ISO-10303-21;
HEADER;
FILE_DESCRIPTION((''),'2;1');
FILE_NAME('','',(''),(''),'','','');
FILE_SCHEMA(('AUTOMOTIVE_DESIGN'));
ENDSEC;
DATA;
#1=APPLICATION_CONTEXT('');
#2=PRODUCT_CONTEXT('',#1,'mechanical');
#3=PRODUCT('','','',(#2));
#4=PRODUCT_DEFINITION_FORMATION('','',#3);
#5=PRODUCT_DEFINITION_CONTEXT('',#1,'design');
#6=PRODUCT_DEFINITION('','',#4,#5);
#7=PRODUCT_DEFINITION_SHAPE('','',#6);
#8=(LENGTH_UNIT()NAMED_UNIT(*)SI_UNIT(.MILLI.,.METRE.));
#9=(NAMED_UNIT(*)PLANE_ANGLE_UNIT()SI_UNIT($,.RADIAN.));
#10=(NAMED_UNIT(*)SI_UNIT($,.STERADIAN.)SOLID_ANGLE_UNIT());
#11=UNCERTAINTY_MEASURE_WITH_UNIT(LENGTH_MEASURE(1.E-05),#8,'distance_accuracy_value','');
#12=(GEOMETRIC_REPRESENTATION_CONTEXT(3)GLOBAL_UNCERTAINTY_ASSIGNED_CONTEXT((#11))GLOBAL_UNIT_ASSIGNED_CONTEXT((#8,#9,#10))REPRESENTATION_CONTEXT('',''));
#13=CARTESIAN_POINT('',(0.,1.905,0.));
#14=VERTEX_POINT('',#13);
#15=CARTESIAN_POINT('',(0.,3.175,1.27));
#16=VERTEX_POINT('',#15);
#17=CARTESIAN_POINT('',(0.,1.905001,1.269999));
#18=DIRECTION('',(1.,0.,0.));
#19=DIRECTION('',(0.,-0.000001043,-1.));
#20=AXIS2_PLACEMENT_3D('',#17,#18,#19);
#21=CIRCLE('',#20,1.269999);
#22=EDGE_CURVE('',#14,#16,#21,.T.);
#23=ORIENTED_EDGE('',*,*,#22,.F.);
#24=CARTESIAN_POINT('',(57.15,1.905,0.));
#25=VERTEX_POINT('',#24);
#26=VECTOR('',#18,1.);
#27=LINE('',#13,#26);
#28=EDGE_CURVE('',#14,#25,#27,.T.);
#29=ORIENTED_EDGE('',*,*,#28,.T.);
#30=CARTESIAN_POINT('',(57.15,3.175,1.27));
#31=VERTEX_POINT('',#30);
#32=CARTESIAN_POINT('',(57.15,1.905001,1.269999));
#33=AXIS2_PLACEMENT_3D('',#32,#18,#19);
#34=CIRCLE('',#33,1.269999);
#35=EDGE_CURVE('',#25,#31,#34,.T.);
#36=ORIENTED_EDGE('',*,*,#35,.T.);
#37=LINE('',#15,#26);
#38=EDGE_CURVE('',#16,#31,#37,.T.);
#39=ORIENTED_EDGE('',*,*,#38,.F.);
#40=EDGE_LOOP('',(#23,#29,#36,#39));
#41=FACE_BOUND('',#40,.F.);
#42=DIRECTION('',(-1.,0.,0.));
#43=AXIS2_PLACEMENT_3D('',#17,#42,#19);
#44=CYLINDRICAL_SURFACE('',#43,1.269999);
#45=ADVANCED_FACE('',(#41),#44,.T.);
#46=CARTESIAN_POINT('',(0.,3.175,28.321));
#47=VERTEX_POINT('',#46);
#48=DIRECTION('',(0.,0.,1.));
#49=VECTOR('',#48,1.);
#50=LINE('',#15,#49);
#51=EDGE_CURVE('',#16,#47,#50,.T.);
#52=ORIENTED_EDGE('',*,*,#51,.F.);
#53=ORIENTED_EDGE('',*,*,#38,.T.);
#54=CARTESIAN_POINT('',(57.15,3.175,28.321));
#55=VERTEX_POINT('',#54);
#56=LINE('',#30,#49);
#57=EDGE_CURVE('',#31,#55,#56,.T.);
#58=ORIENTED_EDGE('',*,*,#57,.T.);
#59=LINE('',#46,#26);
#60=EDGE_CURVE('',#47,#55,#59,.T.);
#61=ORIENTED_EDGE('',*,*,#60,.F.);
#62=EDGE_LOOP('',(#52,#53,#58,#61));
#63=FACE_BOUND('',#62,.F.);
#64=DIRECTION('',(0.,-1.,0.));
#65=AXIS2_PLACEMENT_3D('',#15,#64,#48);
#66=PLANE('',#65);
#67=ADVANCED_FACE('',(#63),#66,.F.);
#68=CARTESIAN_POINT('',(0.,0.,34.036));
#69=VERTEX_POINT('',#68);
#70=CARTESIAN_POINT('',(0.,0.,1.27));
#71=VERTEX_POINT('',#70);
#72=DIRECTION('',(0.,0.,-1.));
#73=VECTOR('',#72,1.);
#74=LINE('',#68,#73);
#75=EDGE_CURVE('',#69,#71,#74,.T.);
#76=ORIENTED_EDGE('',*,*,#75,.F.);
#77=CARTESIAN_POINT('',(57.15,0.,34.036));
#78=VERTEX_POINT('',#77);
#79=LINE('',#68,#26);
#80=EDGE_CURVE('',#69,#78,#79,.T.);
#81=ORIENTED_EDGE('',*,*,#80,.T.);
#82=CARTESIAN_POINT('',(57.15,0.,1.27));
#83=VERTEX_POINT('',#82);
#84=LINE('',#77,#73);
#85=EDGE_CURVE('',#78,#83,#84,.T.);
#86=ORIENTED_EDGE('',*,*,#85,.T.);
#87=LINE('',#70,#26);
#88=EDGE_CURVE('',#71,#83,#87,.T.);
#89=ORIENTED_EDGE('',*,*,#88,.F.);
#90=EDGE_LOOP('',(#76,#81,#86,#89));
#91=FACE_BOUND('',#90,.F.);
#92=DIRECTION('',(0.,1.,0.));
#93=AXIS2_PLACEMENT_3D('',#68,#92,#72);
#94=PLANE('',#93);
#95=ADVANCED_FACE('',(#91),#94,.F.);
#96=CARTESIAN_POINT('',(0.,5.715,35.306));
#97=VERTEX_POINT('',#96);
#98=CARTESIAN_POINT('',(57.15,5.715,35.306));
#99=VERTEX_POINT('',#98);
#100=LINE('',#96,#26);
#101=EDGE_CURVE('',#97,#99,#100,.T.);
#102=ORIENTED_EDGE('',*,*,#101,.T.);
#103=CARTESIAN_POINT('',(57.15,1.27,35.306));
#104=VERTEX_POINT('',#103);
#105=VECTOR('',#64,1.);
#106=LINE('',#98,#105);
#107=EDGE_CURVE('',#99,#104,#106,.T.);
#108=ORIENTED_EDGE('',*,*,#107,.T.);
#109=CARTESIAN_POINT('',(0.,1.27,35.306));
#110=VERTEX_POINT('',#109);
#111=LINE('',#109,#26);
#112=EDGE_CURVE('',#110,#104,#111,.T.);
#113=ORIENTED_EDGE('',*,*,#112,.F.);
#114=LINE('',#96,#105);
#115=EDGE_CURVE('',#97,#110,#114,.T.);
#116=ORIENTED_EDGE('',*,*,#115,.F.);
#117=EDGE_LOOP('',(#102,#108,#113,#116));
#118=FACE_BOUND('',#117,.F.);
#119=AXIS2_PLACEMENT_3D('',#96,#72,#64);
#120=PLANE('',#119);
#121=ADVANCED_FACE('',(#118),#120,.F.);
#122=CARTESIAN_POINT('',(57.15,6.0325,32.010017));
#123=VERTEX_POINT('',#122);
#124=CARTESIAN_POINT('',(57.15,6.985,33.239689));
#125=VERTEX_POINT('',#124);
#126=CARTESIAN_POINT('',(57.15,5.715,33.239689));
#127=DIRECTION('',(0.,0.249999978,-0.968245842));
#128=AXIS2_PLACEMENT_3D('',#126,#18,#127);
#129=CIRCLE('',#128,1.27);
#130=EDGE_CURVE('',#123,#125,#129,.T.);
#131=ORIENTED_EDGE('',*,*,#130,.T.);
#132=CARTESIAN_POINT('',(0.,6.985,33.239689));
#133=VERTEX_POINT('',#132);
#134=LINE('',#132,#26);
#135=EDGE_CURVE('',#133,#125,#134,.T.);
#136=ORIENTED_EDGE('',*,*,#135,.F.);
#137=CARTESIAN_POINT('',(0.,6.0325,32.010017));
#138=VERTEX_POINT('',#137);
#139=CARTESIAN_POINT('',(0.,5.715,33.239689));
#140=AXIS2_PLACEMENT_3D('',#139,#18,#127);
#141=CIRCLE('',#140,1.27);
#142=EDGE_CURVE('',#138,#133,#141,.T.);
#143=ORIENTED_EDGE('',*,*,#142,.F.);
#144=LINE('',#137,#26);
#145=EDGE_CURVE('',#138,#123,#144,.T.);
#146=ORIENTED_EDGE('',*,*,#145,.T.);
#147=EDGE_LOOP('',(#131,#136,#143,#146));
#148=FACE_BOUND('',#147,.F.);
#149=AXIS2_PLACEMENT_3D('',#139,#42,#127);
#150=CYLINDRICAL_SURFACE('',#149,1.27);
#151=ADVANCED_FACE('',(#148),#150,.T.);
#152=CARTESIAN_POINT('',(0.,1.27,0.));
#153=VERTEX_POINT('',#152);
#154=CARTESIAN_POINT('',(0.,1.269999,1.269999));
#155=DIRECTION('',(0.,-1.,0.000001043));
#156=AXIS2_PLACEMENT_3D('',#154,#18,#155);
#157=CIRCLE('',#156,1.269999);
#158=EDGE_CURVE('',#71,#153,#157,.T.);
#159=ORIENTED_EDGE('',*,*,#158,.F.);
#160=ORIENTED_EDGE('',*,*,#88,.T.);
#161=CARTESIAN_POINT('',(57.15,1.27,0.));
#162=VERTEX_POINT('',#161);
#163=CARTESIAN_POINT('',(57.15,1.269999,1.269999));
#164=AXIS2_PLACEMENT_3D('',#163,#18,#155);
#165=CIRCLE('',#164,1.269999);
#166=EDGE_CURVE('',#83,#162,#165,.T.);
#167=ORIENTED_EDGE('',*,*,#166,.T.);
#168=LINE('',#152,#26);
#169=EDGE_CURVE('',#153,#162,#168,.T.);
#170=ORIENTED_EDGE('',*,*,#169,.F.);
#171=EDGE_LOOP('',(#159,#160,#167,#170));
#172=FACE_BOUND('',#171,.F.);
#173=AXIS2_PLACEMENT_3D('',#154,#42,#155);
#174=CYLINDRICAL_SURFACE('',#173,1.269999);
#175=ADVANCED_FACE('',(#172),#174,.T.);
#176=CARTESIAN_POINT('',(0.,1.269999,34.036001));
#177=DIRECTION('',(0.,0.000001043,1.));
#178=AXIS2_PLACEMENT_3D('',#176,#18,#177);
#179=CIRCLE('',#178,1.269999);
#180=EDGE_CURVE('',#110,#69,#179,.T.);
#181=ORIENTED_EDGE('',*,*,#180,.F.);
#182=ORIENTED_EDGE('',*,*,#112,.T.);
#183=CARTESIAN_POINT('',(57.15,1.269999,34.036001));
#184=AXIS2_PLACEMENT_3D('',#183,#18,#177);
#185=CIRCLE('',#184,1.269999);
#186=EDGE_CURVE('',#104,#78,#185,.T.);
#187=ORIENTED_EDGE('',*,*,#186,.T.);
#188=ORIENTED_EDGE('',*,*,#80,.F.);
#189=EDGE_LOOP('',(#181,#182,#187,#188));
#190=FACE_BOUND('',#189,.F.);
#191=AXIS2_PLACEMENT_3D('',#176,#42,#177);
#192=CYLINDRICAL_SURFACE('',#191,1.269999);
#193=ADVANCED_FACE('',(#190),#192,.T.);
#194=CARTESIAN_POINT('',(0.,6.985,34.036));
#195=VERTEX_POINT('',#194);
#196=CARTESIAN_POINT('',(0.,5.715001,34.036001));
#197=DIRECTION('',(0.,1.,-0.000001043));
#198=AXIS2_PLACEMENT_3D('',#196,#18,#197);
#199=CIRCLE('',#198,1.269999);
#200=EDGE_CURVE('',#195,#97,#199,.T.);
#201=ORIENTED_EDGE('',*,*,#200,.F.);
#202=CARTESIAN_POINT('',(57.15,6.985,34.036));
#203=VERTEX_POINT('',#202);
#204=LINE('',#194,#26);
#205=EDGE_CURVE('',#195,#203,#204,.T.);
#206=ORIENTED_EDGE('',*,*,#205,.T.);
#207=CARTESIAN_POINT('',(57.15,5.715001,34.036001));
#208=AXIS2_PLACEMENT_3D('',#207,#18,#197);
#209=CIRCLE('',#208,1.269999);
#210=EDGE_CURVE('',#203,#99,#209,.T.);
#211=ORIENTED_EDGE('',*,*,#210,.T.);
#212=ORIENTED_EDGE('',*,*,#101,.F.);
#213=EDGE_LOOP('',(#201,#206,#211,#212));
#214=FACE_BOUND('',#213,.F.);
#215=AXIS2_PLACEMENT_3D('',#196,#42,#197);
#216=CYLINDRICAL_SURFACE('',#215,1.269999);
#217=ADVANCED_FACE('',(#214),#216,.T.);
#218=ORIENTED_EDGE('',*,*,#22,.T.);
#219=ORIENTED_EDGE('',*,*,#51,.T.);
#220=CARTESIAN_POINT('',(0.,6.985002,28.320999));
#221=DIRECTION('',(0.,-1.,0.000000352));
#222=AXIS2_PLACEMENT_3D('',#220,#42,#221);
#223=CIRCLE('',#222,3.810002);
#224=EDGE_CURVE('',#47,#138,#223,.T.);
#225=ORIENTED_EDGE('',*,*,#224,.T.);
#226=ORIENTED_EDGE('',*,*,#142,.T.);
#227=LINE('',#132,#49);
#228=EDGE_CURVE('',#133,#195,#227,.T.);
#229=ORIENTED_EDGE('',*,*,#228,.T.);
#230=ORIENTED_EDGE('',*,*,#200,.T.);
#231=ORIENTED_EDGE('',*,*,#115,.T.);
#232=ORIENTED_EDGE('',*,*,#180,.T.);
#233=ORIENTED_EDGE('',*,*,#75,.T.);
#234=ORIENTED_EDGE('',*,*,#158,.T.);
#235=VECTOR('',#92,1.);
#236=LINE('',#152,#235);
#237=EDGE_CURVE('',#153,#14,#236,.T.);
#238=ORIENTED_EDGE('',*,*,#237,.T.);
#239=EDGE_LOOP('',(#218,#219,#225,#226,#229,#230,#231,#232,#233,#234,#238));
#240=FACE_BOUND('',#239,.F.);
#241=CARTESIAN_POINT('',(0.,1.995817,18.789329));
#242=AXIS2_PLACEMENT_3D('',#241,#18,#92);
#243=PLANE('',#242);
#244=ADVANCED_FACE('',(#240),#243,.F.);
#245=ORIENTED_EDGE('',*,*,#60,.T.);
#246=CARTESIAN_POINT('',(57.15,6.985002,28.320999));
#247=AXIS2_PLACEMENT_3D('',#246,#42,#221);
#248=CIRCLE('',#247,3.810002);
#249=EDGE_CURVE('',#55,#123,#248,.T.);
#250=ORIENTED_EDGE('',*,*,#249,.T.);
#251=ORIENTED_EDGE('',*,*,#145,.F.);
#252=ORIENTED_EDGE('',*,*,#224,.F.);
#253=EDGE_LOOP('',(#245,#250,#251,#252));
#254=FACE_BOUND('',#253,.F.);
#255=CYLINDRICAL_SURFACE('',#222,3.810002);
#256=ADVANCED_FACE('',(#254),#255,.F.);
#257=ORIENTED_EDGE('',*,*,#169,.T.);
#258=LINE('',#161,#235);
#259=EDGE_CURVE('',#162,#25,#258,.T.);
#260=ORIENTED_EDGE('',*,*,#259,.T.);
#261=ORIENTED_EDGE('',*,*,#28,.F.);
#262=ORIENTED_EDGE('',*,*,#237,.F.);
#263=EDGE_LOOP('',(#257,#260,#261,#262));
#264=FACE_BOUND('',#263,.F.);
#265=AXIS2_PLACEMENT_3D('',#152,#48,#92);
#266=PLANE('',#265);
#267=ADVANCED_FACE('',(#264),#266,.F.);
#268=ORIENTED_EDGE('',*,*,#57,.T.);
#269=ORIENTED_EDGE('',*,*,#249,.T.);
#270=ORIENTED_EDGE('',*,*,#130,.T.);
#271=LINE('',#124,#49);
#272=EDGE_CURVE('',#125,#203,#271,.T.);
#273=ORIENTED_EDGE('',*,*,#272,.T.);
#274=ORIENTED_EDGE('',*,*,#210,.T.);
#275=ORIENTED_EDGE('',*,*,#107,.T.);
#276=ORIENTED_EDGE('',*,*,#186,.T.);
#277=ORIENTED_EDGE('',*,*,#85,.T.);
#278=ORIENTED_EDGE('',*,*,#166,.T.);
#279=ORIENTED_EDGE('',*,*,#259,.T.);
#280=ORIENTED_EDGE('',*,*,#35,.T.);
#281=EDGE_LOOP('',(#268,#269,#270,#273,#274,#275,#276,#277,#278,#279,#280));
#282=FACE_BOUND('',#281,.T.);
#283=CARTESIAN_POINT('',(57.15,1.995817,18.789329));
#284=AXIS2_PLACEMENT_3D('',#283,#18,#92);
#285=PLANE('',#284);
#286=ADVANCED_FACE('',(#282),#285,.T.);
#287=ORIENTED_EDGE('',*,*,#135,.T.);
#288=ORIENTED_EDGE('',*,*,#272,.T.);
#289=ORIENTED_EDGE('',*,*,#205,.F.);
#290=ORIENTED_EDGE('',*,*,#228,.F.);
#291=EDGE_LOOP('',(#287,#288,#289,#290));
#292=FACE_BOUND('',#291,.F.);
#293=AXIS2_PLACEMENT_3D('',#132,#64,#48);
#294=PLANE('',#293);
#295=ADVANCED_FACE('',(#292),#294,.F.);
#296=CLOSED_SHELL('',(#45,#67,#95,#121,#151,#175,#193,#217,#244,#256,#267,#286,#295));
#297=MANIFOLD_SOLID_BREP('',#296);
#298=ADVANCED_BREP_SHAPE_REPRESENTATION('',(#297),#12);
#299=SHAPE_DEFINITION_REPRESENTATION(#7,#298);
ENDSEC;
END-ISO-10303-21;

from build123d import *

# Parameters (mm, degrees)
F1_DEPTH = 57.15


with BuildPart() as f1:
    # F0 (on Right) → F1 (new body)
    with BuildSketch(Plane.YZ):
        with BuildLine():
            Line((0, 28.956), (0, 1.27))
            ThreePointArc((0, 1.27), (0.371974, 0.371974), (1.27, 0))
            Line((1.27, 0), (1.905, 0))
            ThreePointArc((1.905, 0), (2.803026, 0.371974), (3.175, 1.27))
            Line((3.175, 1.27), (3.175, 28.321))
            ThreePointArc((3.175, 28.321), (3.972931, 30.654139), (6.0325, 32.010017))
            ThreePointArc((6.0325, 32.010017), (6.719023, 32.461976), (6.985, 33.239689))
            Line((6.985, 33.239689), (6.985, 34.036))
            ThreePointArc((6.985, 34.036), (6.613026, 34.934026), (5.715, 35.306))
            Line((5.715, 35.306), (1.27, 35.306))
            ThreePointArc((1.27, 35.306), (0.371974, 34.934026), (0, 34.036))
            Line((0, 34.036), (0, 28.956))
        make_face()
    extrude(amount=F1_DEPTH)


solid = f1.part
